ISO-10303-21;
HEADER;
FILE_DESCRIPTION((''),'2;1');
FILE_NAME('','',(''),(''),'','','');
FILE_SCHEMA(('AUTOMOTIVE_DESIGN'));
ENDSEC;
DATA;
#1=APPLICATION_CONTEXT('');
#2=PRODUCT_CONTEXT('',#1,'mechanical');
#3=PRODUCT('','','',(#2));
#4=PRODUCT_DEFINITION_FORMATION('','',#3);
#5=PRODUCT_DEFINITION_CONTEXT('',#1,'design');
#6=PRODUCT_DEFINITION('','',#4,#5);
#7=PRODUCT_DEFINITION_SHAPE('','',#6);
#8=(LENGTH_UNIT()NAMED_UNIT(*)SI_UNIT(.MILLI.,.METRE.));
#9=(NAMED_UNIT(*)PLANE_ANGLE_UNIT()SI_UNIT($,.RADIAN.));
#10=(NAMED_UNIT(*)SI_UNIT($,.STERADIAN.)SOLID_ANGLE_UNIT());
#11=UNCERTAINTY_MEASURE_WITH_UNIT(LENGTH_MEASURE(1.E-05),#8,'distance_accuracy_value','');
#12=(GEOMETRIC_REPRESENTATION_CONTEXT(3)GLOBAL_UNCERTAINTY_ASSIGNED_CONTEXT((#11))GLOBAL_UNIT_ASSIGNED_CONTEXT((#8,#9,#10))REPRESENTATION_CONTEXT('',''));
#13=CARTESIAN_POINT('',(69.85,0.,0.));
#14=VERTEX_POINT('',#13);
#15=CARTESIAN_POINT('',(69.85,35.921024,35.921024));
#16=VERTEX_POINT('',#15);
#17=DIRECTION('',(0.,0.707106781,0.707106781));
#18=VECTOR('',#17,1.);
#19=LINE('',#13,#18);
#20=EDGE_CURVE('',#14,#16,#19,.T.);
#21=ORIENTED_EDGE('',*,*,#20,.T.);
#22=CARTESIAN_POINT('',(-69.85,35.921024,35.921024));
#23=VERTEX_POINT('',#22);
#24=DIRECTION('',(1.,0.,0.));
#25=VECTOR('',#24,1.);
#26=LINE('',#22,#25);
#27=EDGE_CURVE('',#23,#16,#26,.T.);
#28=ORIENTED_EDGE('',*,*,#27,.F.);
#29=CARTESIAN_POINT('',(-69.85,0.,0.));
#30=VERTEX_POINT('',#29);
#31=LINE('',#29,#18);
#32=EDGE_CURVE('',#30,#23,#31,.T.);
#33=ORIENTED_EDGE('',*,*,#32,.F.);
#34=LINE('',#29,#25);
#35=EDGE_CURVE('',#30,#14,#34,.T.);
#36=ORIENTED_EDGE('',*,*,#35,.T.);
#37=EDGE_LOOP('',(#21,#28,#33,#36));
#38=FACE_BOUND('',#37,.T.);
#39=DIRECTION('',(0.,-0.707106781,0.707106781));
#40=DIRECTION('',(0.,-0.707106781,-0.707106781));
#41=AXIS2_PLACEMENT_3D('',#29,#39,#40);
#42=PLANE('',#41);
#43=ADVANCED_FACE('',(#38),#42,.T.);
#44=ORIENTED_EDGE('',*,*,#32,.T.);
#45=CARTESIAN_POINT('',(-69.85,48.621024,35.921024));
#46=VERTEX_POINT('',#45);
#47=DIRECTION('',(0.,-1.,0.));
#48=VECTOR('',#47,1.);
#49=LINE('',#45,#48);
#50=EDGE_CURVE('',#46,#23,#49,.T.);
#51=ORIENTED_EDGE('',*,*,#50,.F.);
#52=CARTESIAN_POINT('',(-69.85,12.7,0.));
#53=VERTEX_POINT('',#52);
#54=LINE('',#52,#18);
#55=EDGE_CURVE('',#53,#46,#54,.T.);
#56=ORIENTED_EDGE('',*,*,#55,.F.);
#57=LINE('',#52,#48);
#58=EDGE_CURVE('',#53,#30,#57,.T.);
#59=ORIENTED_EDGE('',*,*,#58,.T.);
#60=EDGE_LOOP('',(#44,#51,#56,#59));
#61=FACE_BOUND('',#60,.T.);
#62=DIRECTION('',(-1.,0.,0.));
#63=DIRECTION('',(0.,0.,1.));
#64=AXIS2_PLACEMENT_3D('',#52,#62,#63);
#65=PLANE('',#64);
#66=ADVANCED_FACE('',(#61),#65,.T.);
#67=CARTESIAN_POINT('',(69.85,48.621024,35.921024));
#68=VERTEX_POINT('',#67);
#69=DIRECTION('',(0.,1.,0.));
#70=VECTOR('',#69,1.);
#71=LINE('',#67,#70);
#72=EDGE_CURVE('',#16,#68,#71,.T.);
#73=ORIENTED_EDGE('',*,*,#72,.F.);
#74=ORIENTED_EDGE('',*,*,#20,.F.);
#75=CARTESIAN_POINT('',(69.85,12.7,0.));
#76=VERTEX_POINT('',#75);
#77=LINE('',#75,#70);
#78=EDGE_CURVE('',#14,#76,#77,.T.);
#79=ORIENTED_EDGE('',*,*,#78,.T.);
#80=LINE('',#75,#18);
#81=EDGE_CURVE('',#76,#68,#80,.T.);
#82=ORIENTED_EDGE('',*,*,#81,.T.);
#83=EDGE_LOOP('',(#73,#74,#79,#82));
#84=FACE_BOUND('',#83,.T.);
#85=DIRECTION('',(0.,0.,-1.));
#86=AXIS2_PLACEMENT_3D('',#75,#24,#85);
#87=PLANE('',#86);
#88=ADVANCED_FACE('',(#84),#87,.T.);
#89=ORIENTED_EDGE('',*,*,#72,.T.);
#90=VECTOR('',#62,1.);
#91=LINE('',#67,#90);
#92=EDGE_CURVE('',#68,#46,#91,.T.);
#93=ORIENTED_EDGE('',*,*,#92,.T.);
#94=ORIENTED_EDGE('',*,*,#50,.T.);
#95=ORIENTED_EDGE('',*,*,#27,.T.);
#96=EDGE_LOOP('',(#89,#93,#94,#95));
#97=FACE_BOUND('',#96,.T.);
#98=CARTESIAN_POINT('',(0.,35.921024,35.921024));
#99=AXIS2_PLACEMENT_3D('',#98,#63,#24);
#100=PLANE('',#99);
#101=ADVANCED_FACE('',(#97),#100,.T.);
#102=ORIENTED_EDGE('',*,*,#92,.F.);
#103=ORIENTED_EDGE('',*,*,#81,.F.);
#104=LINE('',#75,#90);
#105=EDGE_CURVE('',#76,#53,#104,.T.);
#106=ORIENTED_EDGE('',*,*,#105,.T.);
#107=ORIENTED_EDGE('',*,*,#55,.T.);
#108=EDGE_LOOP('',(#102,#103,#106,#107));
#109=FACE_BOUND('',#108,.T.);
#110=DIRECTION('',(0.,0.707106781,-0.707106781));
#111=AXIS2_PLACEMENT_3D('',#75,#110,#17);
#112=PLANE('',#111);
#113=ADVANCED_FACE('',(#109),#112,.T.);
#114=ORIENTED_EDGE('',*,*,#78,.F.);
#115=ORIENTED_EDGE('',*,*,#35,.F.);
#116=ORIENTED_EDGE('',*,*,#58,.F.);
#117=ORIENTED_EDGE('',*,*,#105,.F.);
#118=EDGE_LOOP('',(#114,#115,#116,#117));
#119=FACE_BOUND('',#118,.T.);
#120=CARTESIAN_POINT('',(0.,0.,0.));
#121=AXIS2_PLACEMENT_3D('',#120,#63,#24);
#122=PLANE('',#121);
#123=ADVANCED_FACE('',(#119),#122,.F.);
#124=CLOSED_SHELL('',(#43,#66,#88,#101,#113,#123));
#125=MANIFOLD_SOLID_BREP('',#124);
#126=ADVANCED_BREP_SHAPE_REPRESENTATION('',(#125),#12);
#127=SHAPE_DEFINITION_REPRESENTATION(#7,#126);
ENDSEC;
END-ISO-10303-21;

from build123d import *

# Parameters (mm, degrees)
SKETCH1_W = 139.7
SKETCH1_H = 12.7


with BuildPart() as part:
    # Sweep1: sweep along a path in Sketch2
    with BuildLine(Plane(origin=(0, 0, 0), x_dir=(0, 0, -1), z_dir=(1, 0, 0))) as sweep1_path:
        Line((0, 0), (-35.921024484, 35.921024484))
    # Sketch1 → Sweep1 (sweep)
    with BuildSketch(Plane.XY):
        with Locations((0, 6.35)):
            Rectangle(SKETCH1_W, SKETCH1_H)
    sweep(path=sweep1_path.line)


solid = part.part
